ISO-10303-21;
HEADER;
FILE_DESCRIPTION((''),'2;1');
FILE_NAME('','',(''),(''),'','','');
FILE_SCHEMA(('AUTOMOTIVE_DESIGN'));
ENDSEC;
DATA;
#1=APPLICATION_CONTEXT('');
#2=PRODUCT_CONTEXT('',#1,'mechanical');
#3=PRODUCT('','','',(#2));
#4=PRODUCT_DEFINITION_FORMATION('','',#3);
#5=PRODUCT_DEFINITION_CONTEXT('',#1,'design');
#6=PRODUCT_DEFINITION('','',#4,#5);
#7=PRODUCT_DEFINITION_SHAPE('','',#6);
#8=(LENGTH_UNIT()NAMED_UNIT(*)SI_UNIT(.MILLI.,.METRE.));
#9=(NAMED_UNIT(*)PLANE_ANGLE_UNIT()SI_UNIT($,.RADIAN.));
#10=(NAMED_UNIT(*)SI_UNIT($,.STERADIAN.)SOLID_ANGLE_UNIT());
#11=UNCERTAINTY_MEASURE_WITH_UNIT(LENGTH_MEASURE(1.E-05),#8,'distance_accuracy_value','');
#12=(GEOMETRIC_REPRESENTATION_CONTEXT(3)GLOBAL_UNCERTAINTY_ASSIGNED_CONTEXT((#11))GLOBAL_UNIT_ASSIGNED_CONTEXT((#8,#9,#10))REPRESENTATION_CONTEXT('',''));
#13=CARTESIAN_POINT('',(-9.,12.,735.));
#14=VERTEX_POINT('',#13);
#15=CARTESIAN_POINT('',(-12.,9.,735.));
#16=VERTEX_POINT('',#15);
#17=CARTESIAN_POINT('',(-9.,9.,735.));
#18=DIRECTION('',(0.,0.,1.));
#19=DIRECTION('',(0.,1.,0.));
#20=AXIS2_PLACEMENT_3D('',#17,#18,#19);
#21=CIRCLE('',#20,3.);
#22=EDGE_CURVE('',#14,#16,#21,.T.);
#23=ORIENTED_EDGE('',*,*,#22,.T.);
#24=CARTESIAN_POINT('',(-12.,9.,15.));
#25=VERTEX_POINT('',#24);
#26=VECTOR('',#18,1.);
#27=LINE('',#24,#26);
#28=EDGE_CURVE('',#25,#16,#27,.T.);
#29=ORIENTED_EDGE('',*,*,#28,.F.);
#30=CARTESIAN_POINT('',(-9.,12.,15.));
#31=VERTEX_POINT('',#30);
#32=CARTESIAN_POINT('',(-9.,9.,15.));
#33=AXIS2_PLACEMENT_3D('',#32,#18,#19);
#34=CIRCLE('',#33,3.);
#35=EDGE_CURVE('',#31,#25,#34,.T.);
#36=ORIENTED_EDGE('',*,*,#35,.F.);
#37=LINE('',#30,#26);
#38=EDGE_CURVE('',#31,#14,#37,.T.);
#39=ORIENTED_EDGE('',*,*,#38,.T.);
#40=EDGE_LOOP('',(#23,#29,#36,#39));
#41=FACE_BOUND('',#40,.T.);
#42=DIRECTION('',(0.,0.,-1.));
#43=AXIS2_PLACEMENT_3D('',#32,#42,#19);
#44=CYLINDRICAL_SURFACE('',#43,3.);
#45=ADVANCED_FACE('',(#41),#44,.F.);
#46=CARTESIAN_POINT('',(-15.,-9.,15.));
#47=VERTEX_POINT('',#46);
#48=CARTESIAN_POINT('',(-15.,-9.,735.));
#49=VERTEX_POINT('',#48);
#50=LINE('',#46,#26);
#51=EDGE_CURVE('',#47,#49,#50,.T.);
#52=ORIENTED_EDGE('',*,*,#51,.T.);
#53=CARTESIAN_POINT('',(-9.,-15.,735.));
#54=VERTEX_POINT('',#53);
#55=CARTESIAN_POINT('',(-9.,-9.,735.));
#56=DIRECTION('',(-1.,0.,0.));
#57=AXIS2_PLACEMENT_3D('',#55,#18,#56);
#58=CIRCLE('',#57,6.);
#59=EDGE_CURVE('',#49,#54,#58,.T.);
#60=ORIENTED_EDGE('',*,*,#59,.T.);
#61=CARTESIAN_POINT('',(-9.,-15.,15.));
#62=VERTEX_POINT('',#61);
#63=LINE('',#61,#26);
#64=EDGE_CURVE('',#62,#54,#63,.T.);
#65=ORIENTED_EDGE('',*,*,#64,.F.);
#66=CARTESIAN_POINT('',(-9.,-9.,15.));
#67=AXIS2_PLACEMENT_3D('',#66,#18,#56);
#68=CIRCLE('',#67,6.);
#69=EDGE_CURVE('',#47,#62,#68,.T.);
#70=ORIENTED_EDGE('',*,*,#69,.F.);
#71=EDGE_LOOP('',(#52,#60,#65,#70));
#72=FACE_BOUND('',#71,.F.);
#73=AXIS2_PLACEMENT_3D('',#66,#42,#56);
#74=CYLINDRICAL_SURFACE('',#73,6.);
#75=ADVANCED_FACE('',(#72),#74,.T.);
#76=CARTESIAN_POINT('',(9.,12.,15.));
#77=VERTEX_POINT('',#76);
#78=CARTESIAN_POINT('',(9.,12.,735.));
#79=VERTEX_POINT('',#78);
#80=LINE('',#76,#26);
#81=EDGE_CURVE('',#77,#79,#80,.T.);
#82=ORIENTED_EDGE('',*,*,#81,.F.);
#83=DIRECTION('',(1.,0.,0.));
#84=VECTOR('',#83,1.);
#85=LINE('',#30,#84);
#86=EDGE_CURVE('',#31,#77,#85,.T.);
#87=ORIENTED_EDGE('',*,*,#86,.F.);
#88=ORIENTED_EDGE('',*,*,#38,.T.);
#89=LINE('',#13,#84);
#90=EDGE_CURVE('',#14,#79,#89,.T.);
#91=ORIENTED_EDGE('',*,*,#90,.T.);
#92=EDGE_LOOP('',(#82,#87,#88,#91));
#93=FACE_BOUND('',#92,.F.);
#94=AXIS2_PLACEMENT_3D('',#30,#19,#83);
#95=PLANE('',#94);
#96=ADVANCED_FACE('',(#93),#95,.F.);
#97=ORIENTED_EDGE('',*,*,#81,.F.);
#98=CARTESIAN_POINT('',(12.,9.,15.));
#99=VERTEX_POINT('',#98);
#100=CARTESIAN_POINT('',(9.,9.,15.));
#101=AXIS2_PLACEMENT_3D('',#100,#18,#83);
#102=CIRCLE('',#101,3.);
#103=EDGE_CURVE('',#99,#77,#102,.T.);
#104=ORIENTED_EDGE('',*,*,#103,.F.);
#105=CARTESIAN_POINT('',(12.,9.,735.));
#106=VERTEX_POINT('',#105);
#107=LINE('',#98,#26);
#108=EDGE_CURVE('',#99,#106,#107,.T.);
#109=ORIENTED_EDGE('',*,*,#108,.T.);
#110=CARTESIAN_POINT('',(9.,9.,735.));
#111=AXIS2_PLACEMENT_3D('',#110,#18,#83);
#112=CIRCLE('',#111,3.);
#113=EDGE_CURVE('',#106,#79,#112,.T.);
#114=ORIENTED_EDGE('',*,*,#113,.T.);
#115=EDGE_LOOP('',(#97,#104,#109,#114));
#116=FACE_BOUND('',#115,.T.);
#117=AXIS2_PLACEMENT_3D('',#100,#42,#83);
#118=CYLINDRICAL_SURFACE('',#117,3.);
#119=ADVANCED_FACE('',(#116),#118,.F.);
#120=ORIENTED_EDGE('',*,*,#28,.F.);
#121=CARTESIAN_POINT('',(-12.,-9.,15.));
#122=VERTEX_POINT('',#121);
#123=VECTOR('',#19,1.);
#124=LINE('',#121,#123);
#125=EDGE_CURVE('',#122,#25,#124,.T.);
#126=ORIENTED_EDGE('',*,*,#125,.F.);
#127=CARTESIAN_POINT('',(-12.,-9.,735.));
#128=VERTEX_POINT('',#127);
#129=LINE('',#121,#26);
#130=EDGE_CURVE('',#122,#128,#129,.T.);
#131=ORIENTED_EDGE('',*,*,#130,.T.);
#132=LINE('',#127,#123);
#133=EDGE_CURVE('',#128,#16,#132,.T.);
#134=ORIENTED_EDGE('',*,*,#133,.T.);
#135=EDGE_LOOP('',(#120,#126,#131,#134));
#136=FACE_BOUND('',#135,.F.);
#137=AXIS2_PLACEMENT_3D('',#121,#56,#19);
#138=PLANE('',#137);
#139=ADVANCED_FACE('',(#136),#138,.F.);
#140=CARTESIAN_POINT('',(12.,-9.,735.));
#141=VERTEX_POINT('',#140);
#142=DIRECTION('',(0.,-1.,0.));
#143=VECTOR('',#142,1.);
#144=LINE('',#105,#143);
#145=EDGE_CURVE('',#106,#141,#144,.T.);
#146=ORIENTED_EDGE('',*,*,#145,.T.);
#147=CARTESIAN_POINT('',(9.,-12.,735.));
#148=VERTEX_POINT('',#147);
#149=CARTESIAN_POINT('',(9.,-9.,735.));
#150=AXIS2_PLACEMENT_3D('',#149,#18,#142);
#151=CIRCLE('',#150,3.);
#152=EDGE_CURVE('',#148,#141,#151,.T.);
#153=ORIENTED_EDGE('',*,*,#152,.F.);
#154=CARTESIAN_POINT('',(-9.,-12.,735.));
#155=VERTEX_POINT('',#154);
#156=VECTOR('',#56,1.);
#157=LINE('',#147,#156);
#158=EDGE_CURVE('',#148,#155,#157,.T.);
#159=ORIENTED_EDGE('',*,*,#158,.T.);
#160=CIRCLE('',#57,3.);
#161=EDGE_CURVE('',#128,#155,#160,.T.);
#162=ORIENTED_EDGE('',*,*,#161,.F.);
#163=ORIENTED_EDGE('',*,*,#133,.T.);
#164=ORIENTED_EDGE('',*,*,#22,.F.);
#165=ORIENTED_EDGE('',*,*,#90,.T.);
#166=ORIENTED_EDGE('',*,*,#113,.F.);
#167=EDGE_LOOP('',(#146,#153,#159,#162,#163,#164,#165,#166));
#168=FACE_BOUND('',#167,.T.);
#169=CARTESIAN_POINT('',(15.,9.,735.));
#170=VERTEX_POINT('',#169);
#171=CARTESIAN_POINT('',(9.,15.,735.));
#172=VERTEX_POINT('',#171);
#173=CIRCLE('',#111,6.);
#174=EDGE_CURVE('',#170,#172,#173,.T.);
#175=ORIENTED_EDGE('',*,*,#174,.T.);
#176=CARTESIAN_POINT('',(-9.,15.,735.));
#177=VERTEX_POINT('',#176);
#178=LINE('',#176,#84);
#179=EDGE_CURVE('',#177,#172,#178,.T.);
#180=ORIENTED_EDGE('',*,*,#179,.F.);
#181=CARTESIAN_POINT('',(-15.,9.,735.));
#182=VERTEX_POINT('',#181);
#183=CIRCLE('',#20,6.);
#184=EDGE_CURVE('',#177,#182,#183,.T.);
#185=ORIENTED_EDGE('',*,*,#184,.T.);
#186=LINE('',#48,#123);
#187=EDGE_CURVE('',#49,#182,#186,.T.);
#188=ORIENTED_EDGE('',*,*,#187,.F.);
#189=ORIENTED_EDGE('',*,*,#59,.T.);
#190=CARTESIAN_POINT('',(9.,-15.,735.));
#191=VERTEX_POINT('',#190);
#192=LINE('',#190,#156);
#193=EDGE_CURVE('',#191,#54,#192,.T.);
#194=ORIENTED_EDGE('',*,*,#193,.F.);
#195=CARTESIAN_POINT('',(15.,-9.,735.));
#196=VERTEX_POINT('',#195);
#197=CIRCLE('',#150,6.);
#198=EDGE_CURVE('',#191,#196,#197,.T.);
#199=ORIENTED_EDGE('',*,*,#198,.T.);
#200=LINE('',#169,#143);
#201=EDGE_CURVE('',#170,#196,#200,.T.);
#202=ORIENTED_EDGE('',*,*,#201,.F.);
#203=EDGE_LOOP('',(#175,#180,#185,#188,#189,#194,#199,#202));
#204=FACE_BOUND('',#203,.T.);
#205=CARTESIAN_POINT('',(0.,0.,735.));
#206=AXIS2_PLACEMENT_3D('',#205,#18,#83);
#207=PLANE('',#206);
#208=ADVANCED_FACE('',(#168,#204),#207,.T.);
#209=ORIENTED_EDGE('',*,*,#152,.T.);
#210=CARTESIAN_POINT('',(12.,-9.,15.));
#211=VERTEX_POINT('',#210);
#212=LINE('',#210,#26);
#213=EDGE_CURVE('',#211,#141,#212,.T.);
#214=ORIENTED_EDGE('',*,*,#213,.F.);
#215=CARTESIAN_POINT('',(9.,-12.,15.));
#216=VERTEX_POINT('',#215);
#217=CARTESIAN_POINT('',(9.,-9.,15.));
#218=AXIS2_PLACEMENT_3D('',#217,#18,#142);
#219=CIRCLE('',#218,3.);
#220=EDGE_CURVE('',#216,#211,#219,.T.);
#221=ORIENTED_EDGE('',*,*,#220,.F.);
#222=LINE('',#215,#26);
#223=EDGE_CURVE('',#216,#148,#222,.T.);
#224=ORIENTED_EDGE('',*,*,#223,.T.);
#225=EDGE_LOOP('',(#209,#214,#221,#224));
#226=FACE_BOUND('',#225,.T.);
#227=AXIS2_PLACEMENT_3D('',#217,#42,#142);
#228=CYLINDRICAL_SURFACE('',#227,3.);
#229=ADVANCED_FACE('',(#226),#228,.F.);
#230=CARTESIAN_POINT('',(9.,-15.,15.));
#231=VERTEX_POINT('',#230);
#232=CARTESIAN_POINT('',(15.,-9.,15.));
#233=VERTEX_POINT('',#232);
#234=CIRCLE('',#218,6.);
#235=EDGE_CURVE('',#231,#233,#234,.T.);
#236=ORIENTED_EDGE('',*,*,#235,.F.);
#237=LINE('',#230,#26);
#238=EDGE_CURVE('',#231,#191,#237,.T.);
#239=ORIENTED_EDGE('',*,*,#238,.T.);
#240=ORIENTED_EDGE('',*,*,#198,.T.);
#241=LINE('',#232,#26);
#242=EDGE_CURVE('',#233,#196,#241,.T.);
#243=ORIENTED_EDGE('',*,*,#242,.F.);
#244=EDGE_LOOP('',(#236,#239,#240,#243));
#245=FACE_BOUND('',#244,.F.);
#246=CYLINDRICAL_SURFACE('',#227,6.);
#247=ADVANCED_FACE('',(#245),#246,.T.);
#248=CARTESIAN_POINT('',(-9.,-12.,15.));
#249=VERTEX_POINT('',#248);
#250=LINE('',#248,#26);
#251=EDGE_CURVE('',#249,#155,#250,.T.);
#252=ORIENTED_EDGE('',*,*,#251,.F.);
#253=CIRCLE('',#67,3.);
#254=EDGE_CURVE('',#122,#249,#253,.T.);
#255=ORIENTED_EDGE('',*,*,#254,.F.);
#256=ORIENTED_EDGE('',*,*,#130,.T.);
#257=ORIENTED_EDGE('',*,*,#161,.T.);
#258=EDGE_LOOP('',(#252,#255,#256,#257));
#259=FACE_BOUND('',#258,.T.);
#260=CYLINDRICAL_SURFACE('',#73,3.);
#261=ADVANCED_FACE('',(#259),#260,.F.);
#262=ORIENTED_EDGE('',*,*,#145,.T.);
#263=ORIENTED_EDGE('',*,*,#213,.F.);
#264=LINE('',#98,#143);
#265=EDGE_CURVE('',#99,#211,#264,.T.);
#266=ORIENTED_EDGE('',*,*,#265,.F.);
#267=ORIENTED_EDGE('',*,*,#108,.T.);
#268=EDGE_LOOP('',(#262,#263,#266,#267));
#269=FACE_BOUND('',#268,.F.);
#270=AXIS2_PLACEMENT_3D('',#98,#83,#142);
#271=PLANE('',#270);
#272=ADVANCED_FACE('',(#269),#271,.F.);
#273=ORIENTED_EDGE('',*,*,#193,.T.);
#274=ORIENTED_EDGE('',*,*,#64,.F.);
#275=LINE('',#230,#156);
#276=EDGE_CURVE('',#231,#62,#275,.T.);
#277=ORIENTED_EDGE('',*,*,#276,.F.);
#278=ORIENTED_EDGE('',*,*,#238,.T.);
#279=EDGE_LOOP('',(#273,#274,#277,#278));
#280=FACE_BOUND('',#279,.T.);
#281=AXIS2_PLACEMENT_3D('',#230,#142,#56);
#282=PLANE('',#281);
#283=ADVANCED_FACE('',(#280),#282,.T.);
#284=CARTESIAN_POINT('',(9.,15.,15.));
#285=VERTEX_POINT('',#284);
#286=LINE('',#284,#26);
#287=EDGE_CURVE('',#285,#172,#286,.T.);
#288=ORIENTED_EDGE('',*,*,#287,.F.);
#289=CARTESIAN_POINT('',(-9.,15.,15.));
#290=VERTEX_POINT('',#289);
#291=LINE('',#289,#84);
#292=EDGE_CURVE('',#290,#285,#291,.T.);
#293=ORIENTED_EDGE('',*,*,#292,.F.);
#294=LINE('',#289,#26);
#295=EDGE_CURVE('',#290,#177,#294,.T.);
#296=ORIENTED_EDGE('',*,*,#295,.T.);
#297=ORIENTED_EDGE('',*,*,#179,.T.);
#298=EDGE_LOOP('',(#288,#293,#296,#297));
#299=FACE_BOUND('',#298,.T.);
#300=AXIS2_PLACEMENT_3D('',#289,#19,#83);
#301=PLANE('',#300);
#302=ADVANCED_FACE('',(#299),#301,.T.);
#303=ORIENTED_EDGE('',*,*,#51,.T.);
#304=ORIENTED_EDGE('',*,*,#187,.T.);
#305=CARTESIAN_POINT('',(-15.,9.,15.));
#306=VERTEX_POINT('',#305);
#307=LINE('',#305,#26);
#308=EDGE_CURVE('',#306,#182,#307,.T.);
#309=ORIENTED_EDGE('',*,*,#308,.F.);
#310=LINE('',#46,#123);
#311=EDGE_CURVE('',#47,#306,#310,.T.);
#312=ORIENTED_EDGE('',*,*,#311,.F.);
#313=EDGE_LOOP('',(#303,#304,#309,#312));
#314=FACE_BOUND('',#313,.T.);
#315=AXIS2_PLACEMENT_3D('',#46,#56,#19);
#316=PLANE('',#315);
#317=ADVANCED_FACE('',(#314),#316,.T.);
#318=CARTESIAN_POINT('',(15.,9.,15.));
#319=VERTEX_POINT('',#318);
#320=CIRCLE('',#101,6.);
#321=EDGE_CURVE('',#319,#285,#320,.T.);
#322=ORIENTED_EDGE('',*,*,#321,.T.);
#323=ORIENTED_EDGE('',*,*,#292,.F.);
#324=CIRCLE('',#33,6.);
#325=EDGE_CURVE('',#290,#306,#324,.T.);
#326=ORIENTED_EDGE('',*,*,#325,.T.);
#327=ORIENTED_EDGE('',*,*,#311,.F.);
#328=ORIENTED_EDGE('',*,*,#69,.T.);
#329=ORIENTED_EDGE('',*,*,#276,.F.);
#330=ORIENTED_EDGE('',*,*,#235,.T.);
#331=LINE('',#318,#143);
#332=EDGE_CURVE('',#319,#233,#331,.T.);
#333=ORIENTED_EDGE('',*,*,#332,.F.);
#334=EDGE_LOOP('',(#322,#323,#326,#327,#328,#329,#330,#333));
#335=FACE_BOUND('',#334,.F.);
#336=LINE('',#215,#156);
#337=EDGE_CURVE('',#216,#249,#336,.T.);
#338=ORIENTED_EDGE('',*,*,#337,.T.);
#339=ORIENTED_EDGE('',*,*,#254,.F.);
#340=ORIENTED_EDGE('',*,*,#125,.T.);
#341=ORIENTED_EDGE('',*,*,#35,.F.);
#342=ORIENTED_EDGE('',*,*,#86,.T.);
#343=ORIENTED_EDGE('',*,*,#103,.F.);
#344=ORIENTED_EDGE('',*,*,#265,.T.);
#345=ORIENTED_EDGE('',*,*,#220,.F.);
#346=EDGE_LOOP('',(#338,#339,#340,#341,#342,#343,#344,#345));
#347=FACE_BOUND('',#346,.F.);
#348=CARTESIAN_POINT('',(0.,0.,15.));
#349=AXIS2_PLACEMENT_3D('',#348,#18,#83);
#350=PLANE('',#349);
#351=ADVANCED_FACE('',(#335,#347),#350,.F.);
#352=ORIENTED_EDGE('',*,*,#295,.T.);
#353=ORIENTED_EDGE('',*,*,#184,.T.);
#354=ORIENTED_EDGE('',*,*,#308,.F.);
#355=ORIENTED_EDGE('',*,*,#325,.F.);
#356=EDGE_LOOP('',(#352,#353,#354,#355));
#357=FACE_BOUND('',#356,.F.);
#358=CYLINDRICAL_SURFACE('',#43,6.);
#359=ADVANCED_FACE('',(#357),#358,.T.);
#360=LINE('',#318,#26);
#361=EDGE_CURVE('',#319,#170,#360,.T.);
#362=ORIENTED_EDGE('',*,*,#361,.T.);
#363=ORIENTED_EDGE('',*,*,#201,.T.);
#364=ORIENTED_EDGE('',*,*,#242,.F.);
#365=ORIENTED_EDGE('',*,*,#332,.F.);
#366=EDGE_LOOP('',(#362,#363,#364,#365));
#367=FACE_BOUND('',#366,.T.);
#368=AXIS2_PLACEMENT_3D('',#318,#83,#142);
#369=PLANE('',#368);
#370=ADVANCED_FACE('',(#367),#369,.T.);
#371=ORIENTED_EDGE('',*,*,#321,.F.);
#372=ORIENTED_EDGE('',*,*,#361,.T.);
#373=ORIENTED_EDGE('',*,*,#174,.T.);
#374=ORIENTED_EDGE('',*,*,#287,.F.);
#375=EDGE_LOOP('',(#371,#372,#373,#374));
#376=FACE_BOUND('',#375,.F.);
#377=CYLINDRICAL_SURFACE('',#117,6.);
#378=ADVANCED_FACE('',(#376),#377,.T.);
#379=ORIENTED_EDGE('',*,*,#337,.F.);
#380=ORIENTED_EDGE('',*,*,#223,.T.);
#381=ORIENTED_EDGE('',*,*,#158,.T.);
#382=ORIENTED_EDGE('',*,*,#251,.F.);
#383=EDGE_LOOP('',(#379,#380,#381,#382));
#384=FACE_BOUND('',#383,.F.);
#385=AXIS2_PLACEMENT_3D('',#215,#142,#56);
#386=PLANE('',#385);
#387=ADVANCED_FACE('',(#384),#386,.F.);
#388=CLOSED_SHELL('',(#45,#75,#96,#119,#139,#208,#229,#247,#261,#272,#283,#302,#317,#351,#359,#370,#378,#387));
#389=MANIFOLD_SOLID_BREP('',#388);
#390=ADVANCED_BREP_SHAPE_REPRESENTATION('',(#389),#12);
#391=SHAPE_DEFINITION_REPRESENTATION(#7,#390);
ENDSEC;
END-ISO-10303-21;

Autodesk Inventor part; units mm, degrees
ref_plane "Start plane" through (0, 0, 15) normal (0, 0, 1) x (1, 0, 0)
ref_plane "End plane" through (0, 0, 735) normal (0, 0, 1) x (1, 0, 0)
sketch "Sketch" plane through (0, 0, 0) normal (0, 0, 1) x (1, 0, 0)
  line L0 (-15, -9) -> (-15, 9)
  line L1 (-9, 15) -> (9, 15)
  line L2 (15, 9) -> (15, -9)
  line L3 (9, -15) -> (-9, -15)
  arc A0 (-15, -9) -> (-9, -15) centre (-9, -9) ccw
  arc A1 (-9, 15) -> (-15, 9) centre (-9, 9) ccw
  arc A2 (15, 9) -> (9, 15) centre (9, 9) ccw
  arc A3 (9, -15) -> (15, -9) centre (9, -9) ccw
  arc A4 (-9, 12) -> (-12, 9) centre (-9, 9) ccw
  line L4 (-9, 12) -> (9, 12)
  arc A5 (12, 9) -> (9, 12) centre (9, 9) ccw
  line L5 (12, 9) -> (12, -9)
  arc A6 (9, -12) -> (12, -9) centre (9, -9) ccw
  line L6 (9, -12) -> (-9, -12)
  arc A7 (-12, -9) -> (-9, -12) centre (-9, -9) ccw
  line L7 (-12, -9) -> (-12, 9)
  line L8 (0, 22.7397) -> (0, -22.7397) construction
  line L9 (-22.7397, 0) -> (22.7397, 0) construction
  dimension "d7" = 6
  dimension "d10" = 30
  dimension "d11" = 30
  dimension "d12" = 3
  dimension "d15" = 15
  dimension "d16" = 15
extrude "Body" add sketch "Sketch" along normal up to surface (720 mm away) from surface at 15
sketch "Sketch3" plane through (0, 0, 0) normal (0, 0, 1) x (1, 0, 0)
  line L0 (0, 0) -> (10, 0)
ref_plane "Work Plane3" through (0, 0, 0) normal (0, -1, 0) x (1, 0, 0)
ref_plane "Work Plane4" through (9, 151, 735) normal (0, 0, 1) x (1, 0, 0)
split "Split1" plane through (9, 151, 735) removes the side toward (0, 0, 1)
ref_plane "Work Plane5" through (9, -1571, 15) normal (0, 0, -1) x (-1, 0, 0)
split "Split2" plane through (9, -1571, 15) removes the side toward (0, 0, -1)
sketch "Sketch4" plane through (0, 0, 0) normal (0, -1, 0) x (1, 0, 0)
  line L0 (-2, 15) -> (12, 15) projected
  line L1 (-2, 735) -> (12, 735) projected
  dimension "d18" = 720
equation "\"d7\" = G_IR"
equation "\"d10\" = G_H"
equation "\"d11\" = G_W"
equation "\"d12\" = G_T"
equation "\"d15\" = 0.5 * d10"
equation "\"d16\" = 0.5 * d11"
equation "\"d3\" = G_L"
equation "\"G_W\" = 30"
equation "\"G_H\" = 30"
equation "\"G_T\" = 3"
equation "\"G_IR\" = 6"
equation "\"G_L\" = d18"
equation "\"G_OFFSET_START\" = -15"
equation "\"G_OFFSET_END\" = -15"
equation "\"d13\" = -G_OFFSET_START"
equation "\"d14\" = G_OFFSET_END + B_L"
equation "\"B_L\" = 750"
properties part number "DIN EN 10219-2 - 30 x 30 x 3  - 720" material "Steel, Mild"
